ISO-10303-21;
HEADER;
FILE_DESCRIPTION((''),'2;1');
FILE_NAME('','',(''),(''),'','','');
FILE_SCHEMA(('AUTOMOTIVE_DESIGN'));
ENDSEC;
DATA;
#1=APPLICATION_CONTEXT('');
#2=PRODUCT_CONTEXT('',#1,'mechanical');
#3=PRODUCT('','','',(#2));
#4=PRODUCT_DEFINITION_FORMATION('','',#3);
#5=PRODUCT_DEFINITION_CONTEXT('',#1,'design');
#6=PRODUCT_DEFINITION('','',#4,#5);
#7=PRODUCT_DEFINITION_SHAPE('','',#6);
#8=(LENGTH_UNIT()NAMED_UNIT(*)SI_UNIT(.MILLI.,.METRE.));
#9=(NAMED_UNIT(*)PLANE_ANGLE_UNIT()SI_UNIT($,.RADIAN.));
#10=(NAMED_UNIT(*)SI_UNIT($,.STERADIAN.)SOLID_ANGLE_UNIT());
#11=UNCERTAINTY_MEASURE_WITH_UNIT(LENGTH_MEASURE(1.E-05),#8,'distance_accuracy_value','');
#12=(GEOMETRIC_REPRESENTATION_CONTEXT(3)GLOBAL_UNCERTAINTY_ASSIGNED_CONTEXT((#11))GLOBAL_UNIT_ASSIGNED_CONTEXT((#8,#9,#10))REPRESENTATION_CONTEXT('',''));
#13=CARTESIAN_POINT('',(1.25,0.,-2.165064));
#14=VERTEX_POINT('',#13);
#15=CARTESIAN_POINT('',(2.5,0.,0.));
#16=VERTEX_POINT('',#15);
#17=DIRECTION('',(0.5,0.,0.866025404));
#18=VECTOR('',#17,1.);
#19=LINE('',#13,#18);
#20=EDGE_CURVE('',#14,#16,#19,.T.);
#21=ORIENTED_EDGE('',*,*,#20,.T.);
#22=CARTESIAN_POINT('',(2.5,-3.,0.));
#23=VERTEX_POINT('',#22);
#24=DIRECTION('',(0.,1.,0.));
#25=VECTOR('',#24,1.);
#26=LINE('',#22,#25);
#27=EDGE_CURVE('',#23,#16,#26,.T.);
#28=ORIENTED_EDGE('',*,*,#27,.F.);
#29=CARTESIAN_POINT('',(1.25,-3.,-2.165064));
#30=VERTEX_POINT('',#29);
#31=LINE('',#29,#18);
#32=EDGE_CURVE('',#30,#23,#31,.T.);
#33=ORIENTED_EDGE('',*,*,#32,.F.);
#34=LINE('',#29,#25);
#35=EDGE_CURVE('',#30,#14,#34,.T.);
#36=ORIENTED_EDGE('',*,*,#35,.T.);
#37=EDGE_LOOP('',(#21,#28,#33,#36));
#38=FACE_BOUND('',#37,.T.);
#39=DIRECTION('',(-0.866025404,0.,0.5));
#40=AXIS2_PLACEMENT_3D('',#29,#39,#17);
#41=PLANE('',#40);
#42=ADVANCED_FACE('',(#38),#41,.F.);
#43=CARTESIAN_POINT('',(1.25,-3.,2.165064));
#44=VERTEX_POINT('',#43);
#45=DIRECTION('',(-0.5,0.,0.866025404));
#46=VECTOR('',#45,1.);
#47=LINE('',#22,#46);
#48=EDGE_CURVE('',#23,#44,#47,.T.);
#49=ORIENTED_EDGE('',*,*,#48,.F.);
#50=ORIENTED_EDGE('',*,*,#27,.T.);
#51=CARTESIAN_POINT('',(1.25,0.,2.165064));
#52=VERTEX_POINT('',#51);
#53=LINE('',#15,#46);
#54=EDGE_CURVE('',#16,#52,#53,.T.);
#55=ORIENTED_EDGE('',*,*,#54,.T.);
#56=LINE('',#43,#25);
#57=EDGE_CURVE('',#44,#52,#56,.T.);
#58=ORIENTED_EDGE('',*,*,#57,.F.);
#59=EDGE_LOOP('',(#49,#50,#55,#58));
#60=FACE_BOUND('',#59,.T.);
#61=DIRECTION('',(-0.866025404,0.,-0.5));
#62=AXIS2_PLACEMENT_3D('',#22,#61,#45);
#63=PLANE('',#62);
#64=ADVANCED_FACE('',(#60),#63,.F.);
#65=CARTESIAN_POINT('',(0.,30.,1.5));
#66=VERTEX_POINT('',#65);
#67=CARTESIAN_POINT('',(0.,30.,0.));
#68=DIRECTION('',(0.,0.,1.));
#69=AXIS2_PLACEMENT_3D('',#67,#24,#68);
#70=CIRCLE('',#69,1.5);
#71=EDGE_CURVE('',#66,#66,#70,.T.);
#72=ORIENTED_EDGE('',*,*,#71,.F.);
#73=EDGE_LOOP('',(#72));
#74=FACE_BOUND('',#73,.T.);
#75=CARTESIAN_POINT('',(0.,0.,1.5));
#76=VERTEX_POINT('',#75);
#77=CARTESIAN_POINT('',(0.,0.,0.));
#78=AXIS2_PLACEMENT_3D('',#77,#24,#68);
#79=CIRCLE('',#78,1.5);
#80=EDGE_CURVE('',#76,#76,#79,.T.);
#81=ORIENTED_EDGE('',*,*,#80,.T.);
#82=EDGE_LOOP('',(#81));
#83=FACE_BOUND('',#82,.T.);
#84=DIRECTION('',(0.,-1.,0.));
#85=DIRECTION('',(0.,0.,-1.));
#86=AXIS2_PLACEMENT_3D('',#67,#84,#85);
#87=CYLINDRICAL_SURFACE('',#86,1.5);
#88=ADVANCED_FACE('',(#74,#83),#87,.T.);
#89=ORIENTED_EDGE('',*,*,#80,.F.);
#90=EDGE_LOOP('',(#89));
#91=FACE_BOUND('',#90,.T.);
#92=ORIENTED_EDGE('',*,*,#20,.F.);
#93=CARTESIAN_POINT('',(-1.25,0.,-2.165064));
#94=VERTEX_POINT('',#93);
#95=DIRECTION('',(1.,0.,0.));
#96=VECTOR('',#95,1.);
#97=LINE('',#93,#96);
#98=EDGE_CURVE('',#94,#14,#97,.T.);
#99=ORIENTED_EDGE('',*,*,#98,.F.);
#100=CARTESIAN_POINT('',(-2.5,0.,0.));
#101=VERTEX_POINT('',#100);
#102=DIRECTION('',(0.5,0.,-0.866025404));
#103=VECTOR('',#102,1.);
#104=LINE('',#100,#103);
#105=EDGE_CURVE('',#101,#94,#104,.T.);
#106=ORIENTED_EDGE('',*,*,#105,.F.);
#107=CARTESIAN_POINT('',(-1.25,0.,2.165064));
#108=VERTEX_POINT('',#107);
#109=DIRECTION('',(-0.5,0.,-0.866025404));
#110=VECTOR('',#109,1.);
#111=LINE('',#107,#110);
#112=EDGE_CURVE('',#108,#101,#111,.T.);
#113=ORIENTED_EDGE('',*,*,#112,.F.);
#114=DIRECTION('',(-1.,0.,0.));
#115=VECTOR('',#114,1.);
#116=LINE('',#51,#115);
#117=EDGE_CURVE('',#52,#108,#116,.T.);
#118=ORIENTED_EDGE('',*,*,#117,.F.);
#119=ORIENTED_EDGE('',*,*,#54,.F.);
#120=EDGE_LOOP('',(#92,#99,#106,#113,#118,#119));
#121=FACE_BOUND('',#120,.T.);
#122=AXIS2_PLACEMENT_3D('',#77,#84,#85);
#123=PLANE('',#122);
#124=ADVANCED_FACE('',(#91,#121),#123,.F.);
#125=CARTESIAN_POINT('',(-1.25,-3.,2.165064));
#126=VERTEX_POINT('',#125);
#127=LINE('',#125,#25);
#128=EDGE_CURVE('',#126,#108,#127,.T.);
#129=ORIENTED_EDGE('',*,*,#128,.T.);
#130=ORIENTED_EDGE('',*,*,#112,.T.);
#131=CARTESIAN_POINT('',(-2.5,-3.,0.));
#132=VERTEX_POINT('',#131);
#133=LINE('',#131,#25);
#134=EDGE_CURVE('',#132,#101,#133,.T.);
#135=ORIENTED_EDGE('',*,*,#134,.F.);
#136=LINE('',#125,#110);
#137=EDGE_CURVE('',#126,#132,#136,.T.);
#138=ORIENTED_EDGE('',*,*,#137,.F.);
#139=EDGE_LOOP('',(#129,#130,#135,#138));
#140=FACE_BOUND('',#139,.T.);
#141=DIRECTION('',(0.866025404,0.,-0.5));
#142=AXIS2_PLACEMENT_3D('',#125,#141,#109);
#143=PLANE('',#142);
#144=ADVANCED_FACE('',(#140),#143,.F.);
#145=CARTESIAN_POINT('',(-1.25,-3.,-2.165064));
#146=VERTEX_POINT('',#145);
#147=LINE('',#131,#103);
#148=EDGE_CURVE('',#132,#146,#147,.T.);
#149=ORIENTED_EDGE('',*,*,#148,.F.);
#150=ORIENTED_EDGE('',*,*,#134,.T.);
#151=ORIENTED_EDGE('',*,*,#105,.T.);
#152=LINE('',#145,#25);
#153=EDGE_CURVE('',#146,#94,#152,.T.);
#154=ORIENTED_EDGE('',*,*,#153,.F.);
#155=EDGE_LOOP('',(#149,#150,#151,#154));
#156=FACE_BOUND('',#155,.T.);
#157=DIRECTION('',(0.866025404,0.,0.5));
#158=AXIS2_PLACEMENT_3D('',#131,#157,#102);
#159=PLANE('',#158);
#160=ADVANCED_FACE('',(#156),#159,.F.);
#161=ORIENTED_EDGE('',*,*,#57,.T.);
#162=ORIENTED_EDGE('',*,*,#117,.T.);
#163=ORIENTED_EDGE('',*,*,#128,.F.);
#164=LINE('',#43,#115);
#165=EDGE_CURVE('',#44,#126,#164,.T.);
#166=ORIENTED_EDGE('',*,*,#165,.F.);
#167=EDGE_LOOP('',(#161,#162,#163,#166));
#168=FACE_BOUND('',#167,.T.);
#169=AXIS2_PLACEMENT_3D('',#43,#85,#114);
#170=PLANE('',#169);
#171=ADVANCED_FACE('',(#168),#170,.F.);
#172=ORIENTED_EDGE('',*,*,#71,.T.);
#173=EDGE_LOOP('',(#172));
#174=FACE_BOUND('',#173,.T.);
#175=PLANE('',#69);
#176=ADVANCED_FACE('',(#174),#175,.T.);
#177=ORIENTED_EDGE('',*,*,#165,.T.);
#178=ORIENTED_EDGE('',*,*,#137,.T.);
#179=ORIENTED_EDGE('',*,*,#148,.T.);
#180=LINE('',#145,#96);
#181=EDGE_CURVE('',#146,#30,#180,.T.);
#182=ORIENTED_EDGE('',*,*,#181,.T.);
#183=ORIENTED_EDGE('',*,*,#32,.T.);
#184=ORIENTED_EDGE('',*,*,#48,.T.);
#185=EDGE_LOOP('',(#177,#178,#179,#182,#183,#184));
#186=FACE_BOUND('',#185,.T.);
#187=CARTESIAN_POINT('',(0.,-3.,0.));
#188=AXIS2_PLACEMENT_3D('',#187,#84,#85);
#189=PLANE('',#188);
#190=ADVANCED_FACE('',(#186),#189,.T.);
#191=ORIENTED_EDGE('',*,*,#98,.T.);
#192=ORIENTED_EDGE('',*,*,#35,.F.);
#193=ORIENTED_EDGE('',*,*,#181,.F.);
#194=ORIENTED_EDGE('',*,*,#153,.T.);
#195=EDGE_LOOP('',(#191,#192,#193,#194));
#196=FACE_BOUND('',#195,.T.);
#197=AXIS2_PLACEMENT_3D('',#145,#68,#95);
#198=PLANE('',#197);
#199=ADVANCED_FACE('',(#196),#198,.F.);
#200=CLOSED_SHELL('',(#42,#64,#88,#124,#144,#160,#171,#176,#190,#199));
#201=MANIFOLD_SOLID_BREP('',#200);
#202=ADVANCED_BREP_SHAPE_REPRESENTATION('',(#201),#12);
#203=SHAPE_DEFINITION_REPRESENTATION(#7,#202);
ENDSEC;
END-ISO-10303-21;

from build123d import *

# Parameters (mm, degrees)
SKETCH1_R           = 1.5
BOSS_EXTRUDE1_DEPTH = 30
BOSS_EXTRUDE2_DEPTH = 3


with BuildPart() as part:
    # Sketch1 → Boss-Extrude1 (new body)
    with BuildSketch(Plane(origin=(0, 0, 0), x_dir=(1, 0, 0), z_dir=(0, 1, 0))):
        with Locations(Location((0, 0, 0), (0, 0, 270))):
            Circle(SKETCH1_R)
    extrude(amount=BOSS_EXTRUDE1_DEPTH)

    # Sketch2 → Boss-Extrude2 (add)
    with BuildSketch(Plane.XZ):
        Polygon((1.25, -2.165063509), (2.5, 0), (1.25, 2.165063509), (-1.25, 2.165063509), (-2.5, 0), (-1.25, -2.165063509), align=None)
    extrude(amount=BOSS_EXTRUDE2_DEPTH)


solid = part.part
